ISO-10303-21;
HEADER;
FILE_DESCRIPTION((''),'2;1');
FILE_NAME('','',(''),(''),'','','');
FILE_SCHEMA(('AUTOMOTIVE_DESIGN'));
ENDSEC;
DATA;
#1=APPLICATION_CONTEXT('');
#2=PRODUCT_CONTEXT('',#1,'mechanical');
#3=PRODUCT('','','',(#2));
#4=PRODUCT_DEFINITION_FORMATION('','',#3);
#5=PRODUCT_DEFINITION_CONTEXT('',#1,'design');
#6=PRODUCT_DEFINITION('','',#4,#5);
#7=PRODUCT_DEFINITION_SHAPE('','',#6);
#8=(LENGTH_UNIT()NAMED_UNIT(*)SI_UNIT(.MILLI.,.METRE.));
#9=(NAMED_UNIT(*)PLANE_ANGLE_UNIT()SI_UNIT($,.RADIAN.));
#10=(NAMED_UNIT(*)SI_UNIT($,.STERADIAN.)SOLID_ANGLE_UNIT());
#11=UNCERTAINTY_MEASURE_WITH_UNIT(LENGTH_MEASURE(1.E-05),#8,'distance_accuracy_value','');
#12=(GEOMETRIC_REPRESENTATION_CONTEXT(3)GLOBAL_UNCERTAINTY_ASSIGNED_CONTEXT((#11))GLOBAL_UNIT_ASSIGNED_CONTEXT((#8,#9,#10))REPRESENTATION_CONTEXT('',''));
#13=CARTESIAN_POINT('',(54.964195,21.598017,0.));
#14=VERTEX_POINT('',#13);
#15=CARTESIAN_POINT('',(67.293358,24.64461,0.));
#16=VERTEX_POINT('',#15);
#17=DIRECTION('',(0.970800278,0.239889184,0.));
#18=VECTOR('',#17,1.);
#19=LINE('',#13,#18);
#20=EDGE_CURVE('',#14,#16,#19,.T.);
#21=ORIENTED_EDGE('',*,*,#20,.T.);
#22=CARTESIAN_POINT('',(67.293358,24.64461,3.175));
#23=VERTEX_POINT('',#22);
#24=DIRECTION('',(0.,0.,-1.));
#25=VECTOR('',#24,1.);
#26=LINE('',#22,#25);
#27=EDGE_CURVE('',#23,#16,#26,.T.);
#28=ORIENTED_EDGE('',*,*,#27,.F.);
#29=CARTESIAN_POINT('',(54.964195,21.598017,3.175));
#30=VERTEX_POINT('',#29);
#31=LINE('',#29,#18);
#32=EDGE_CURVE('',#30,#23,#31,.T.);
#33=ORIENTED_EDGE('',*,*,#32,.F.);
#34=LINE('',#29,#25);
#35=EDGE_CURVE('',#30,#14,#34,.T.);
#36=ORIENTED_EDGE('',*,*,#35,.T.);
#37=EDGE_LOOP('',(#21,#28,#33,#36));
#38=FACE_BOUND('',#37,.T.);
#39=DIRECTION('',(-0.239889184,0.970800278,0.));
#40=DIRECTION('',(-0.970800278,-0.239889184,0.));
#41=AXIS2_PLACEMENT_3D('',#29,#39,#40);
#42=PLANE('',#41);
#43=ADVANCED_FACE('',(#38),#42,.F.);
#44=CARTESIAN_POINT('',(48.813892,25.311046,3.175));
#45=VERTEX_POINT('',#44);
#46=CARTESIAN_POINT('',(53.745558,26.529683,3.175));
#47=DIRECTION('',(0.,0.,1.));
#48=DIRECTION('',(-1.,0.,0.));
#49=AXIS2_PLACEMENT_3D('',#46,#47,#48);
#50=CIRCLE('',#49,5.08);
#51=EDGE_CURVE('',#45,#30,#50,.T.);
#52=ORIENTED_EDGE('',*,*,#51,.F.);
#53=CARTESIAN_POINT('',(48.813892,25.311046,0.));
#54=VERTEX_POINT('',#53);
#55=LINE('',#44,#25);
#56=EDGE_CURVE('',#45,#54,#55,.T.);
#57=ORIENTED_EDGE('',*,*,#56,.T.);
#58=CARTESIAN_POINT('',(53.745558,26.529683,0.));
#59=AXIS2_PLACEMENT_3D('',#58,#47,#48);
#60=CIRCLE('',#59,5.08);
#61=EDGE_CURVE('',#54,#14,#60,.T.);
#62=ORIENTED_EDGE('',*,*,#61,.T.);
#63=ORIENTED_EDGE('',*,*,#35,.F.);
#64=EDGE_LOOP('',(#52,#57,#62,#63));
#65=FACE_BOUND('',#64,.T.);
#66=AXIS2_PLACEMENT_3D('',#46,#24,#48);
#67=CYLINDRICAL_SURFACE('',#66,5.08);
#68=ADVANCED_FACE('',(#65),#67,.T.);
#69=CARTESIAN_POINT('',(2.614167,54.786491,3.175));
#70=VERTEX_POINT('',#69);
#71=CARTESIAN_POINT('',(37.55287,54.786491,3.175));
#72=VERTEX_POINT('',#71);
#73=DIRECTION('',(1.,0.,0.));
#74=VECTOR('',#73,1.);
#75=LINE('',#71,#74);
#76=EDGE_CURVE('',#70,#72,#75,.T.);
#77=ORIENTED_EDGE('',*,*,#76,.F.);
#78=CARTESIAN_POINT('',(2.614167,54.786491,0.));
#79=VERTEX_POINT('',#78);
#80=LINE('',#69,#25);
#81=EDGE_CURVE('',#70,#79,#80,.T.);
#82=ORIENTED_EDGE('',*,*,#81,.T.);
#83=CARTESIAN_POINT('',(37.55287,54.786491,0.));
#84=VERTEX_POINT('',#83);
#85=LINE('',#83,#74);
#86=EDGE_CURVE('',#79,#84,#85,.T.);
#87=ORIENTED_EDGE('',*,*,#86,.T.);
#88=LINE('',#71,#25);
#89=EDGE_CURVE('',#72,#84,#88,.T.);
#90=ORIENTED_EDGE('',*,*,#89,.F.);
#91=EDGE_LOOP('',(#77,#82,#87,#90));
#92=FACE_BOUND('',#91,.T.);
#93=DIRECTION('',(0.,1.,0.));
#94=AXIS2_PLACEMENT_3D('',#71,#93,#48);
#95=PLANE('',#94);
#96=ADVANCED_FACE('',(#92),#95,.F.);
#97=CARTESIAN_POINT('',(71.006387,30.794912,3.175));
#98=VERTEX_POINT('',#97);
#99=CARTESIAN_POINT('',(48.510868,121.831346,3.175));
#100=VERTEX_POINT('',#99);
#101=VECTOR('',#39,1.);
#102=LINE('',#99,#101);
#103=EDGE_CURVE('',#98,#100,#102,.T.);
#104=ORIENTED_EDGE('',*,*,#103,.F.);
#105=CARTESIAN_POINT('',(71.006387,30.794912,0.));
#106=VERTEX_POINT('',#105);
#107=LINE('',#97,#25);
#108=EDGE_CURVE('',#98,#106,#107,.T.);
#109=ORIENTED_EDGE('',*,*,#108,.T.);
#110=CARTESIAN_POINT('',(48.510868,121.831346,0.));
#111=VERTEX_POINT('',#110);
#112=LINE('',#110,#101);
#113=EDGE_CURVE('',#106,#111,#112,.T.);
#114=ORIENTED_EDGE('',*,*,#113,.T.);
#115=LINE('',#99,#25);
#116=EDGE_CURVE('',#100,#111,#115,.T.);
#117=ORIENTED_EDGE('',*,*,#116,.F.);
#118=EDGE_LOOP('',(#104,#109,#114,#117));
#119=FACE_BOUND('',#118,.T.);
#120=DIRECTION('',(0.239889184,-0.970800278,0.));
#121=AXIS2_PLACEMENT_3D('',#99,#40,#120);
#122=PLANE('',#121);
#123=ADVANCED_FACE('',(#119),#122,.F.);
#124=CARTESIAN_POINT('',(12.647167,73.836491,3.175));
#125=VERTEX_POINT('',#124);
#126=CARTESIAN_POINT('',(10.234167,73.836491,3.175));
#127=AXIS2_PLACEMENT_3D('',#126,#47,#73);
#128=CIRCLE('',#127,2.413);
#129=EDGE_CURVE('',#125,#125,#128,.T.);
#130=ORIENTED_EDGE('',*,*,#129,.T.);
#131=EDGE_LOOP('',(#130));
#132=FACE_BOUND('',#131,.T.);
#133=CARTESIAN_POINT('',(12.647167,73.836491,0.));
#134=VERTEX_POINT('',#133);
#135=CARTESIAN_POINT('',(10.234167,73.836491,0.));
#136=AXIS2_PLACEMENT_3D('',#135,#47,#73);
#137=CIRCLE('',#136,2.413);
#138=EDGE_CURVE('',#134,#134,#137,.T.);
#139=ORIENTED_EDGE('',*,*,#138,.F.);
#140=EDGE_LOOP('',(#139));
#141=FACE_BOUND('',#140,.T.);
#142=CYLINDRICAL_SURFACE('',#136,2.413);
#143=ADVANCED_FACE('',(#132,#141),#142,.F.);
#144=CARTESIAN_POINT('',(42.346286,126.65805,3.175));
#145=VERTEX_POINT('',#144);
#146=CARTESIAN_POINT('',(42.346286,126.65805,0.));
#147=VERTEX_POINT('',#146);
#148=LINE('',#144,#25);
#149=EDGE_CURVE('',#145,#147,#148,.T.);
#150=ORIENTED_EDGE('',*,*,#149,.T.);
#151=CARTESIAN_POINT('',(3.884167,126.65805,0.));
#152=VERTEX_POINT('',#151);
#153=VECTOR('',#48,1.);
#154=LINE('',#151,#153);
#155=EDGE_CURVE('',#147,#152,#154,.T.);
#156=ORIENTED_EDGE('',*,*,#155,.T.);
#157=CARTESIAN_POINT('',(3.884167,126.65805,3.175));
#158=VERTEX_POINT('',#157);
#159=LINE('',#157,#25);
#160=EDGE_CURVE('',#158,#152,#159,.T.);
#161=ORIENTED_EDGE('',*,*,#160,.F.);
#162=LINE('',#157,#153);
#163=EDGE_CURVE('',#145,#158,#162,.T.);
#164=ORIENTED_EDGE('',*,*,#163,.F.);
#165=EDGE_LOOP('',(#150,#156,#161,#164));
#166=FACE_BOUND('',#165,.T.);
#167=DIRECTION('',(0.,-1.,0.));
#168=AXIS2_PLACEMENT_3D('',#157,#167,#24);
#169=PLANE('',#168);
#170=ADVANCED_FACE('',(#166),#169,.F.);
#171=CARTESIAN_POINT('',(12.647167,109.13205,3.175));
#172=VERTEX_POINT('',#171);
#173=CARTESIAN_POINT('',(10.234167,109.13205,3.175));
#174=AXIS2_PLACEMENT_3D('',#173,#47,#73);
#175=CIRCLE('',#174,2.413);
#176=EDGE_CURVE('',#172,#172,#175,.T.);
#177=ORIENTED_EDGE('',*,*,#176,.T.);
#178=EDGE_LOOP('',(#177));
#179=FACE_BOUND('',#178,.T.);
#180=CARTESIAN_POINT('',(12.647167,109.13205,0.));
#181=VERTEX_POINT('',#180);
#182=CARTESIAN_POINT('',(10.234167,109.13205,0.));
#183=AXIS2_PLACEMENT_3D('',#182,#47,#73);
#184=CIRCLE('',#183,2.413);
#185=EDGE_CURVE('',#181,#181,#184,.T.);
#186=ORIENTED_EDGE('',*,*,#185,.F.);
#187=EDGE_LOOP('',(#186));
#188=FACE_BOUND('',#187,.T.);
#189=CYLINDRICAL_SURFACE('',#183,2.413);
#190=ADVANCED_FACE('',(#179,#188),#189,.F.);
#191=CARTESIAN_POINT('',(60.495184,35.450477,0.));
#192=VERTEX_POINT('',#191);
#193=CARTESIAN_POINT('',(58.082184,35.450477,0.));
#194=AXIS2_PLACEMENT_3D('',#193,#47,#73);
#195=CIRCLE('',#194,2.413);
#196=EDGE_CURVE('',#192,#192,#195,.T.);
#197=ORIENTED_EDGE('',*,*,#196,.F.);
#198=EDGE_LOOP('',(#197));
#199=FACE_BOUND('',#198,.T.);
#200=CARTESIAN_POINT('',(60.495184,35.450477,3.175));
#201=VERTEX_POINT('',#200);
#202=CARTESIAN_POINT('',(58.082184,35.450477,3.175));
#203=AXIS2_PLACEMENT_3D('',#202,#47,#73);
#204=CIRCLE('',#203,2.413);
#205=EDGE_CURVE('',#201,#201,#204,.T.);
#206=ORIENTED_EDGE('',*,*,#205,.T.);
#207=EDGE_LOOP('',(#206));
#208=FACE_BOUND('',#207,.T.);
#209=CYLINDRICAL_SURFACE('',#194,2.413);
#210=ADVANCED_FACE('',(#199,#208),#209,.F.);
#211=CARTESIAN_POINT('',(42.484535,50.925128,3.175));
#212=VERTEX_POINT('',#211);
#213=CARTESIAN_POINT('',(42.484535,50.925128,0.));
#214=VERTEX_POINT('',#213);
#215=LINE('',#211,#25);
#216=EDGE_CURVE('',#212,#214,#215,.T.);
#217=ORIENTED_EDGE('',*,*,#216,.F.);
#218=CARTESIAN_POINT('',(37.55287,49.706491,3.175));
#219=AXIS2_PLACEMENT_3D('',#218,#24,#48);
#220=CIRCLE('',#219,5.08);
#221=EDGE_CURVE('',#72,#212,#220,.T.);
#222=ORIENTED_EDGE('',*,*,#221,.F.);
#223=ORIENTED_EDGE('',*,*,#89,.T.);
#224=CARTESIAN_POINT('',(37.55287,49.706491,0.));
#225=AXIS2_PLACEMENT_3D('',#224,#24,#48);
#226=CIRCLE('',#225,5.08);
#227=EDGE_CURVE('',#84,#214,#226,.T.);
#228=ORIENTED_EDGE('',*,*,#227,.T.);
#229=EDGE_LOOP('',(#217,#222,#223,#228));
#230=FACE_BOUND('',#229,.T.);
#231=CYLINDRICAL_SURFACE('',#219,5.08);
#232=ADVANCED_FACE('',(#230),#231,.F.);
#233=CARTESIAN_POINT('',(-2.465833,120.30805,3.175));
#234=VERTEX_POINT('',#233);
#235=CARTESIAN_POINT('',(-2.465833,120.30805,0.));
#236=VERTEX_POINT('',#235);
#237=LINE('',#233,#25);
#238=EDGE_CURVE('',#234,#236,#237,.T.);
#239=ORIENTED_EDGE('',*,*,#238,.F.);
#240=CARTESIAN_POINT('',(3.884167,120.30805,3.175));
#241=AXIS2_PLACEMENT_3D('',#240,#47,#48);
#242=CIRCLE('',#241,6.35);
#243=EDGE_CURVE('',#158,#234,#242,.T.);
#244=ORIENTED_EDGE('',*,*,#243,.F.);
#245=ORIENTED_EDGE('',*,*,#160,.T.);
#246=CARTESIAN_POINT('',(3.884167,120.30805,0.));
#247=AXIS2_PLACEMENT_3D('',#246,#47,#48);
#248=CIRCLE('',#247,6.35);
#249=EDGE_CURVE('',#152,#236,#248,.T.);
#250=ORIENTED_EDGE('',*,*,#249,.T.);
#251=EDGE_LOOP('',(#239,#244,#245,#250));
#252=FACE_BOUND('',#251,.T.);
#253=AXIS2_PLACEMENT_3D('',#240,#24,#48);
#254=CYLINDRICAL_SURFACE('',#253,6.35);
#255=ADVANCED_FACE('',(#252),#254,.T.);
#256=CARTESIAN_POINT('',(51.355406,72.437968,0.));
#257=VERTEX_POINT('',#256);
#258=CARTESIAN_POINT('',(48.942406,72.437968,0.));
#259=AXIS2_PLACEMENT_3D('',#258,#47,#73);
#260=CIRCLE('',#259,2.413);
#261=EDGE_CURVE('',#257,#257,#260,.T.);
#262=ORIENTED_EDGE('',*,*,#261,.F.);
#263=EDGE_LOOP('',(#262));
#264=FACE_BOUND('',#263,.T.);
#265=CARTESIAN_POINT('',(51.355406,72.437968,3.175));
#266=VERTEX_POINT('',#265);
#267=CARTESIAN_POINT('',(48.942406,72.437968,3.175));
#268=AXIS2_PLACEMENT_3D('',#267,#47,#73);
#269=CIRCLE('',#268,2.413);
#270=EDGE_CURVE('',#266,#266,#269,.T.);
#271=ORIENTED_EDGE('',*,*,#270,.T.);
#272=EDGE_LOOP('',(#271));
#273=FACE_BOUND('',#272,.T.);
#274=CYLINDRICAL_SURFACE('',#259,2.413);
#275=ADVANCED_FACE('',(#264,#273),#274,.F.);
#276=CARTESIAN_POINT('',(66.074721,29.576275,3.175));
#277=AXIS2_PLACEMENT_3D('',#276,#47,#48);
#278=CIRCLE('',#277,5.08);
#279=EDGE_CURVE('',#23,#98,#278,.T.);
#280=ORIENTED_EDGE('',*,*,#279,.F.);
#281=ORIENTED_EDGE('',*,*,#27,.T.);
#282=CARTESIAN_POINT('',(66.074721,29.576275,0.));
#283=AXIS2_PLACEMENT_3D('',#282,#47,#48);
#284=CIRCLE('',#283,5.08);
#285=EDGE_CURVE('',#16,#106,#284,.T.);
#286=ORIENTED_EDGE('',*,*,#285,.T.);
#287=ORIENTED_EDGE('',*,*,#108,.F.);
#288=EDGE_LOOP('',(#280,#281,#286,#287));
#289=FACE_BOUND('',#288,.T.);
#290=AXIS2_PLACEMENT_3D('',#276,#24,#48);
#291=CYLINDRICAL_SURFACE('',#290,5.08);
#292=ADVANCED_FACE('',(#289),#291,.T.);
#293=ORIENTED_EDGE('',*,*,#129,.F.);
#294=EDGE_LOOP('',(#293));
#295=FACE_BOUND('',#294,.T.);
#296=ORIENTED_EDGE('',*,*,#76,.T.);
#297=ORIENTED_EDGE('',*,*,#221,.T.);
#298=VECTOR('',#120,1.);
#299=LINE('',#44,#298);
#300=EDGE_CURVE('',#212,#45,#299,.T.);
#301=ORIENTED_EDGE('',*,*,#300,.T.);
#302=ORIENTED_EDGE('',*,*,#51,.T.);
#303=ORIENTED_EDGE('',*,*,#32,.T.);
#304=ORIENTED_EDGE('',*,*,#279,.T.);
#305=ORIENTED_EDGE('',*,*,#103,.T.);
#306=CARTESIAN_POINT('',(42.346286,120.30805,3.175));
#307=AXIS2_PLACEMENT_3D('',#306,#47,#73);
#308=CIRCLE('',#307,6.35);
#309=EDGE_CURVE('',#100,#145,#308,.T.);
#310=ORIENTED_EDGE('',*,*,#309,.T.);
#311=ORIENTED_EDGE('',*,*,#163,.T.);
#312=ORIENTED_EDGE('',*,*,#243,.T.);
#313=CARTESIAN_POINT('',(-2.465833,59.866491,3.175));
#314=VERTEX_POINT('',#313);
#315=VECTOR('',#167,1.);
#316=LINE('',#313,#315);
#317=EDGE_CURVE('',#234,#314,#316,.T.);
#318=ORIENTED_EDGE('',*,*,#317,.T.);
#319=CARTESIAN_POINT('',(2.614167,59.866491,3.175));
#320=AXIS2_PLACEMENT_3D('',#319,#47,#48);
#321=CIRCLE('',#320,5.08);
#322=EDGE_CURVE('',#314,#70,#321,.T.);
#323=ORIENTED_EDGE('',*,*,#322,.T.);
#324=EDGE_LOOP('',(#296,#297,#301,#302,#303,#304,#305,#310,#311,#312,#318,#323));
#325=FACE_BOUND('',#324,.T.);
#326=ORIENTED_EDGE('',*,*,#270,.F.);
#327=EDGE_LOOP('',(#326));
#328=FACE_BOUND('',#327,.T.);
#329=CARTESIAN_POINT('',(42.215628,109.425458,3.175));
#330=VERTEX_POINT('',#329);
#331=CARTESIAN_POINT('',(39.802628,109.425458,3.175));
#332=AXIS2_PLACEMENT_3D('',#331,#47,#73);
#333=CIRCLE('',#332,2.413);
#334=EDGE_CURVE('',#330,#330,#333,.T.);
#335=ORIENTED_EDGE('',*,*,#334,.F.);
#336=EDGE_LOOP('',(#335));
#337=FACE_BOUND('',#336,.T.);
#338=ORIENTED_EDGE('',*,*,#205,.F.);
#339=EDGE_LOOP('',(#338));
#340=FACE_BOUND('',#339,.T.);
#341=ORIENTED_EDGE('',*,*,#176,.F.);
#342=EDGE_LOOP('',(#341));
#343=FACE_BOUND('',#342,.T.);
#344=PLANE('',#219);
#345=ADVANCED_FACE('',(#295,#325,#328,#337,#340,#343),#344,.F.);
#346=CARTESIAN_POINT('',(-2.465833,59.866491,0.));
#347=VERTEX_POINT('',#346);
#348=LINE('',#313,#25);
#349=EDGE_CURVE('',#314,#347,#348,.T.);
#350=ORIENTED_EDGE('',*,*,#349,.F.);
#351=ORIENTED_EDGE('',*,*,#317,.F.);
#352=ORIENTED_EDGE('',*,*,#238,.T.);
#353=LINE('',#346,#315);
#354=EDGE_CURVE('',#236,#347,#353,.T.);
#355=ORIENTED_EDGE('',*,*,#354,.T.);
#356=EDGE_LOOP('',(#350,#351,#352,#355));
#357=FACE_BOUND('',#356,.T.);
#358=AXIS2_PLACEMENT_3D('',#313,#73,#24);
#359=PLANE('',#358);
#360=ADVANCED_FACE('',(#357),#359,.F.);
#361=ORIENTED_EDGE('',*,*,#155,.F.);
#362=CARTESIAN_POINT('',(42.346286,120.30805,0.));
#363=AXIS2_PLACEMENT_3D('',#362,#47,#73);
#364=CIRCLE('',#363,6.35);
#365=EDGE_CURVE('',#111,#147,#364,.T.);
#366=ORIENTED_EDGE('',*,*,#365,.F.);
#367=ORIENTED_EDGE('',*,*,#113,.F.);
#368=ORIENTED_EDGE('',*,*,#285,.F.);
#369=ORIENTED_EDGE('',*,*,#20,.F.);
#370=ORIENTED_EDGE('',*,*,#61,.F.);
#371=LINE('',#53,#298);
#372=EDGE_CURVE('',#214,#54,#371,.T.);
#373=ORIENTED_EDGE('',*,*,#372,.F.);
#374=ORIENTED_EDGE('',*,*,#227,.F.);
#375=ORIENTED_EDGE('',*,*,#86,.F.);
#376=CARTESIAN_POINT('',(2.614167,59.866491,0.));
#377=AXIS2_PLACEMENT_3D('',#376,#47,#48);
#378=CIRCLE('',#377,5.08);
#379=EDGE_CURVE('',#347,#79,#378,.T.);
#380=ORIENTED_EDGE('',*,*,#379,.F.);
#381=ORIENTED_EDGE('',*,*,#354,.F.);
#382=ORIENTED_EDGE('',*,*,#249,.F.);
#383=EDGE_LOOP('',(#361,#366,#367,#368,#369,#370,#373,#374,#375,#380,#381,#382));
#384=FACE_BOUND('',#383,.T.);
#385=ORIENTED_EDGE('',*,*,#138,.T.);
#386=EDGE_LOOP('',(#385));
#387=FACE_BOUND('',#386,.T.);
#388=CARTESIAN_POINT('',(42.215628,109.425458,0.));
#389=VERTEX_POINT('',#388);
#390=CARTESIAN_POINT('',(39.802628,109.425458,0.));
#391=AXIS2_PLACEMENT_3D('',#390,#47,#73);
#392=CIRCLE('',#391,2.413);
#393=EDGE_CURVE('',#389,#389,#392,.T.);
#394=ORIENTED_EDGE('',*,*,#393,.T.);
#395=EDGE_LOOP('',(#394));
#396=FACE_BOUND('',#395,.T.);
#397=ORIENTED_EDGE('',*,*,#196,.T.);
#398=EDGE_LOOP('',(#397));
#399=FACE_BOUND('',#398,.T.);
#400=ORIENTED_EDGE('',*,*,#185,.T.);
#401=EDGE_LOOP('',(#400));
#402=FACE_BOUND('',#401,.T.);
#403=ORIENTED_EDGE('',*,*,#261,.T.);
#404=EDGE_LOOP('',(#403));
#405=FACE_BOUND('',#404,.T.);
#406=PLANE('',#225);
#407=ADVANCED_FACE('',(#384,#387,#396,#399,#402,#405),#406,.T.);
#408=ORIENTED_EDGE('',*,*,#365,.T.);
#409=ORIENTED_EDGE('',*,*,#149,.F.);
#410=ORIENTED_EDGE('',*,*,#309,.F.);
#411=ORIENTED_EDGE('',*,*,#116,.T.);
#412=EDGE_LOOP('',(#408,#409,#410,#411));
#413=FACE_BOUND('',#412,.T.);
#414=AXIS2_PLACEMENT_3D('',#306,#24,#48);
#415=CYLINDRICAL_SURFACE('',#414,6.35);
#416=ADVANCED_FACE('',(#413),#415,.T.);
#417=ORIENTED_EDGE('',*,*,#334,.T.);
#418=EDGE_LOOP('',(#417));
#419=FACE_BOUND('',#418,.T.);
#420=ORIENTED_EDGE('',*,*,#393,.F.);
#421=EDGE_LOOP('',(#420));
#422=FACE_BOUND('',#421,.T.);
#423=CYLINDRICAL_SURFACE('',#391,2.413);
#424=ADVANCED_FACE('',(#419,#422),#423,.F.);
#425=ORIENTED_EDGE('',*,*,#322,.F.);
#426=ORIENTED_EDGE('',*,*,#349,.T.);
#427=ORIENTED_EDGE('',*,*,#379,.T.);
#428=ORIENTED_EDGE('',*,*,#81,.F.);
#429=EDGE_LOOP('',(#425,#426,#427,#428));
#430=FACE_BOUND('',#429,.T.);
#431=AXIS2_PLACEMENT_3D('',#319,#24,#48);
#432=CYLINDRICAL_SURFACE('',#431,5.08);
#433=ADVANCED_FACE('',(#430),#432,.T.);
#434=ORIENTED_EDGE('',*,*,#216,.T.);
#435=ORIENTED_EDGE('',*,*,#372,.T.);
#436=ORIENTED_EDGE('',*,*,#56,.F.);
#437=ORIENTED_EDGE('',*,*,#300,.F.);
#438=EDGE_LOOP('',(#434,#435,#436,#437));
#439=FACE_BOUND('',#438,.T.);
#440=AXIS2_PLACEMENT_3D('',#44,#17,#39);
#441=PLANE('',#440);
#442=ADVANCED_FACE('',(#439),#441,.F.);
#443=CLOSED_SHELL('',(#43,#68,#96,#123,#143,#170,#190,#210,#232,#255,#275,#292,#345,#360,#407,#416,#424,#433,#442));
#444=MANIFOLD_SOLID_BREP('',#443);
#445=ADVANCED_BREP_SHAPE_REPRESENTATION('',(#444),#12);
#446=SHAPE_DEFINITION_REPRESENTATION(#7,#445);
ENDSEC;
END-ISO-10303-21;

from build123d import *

# Parameters (mm, degrees)
BOSS_EXTRUDE1_DEPTH = 3.175
SKETCH2_R           = 2.413
CUT_EXTRUDE1_DEPTH  = 146.311171514


with BuildPart() as part:
    # Sketch1 → Boss-Extrude1 (new body)
    with BuildSketch(Plane.XY):
        with BuildLine():
            Line((48.510867826, 121.831346212), (71.00638654, 30.794912365))
            ThreePointArc((71.00638654, 30.794912365), (70.423641708, 26.950767781), (67.293358183, 24.6446099))
            Line((67.293358183, 24.6446099), (54.964194654, 21.598017264))
            ThreePointArc((54.964194654, 21.598017264), (51.12005007, 22.180762096), (48.813892189, 25.311045622))
            Line((48.813892189, 25.311045622), (42.484535319, 50.925128378))
            ThreePointArc((42.484535319, 50.925128378), (40.684620517, 53.706308584), (37.552869907, 54.786491324))
            Line((37.552869907, 54.786491324), (2.614167294, 54.786491324))
            ThreePointArc((2.614167294, 54.786491324), (-0.977935154, 56.274388875), (-2.465832706, 59.866491324))
            Line((-2.465832706, 59.866491324), (-2.465832706, 120.308049894))
            ThreePointArc((-2.465832706, 120.308049894), (-0.605960766, 124.798177955), (3.884167294, 126.658049894))
            Line((3.884167294, 126.658049894), (42.346286061, 126.658049894))
            ThreePointArc((42.346286061, 126.658049894), (46.260974324, 125.30782147), (48.510867826, 121.831346212))
        make_face()
    extrude(amount=BOSS_EXTRUDE1_DEPTH)

    # Sketch2 → Cut-Extrude1 (cut, through all)
    with BuildSketch(Plane.XY.offset(3.175)):
        with Locations((58.082183783, 35.450477111)):
            Circle(SKETCH2_R)
        with Locations((48.942405878, 72.437967696)):
            Circle(SKETCH2_R)
        with Locations((39.802627972, 109.425458282)):
            Circle(SKETCH2_R)
        with Locations((10.234167294, 109.132049894)):
            Circle(SKETCH2_R)
        with Locations((10.234167294, 73.836491324)):
            Circle(SKETCH2_R)
    extrude(amount=-CUT_EXTRUDE1_DEPTH, mode=Mode.SUBTRACT)


solid = part.part
